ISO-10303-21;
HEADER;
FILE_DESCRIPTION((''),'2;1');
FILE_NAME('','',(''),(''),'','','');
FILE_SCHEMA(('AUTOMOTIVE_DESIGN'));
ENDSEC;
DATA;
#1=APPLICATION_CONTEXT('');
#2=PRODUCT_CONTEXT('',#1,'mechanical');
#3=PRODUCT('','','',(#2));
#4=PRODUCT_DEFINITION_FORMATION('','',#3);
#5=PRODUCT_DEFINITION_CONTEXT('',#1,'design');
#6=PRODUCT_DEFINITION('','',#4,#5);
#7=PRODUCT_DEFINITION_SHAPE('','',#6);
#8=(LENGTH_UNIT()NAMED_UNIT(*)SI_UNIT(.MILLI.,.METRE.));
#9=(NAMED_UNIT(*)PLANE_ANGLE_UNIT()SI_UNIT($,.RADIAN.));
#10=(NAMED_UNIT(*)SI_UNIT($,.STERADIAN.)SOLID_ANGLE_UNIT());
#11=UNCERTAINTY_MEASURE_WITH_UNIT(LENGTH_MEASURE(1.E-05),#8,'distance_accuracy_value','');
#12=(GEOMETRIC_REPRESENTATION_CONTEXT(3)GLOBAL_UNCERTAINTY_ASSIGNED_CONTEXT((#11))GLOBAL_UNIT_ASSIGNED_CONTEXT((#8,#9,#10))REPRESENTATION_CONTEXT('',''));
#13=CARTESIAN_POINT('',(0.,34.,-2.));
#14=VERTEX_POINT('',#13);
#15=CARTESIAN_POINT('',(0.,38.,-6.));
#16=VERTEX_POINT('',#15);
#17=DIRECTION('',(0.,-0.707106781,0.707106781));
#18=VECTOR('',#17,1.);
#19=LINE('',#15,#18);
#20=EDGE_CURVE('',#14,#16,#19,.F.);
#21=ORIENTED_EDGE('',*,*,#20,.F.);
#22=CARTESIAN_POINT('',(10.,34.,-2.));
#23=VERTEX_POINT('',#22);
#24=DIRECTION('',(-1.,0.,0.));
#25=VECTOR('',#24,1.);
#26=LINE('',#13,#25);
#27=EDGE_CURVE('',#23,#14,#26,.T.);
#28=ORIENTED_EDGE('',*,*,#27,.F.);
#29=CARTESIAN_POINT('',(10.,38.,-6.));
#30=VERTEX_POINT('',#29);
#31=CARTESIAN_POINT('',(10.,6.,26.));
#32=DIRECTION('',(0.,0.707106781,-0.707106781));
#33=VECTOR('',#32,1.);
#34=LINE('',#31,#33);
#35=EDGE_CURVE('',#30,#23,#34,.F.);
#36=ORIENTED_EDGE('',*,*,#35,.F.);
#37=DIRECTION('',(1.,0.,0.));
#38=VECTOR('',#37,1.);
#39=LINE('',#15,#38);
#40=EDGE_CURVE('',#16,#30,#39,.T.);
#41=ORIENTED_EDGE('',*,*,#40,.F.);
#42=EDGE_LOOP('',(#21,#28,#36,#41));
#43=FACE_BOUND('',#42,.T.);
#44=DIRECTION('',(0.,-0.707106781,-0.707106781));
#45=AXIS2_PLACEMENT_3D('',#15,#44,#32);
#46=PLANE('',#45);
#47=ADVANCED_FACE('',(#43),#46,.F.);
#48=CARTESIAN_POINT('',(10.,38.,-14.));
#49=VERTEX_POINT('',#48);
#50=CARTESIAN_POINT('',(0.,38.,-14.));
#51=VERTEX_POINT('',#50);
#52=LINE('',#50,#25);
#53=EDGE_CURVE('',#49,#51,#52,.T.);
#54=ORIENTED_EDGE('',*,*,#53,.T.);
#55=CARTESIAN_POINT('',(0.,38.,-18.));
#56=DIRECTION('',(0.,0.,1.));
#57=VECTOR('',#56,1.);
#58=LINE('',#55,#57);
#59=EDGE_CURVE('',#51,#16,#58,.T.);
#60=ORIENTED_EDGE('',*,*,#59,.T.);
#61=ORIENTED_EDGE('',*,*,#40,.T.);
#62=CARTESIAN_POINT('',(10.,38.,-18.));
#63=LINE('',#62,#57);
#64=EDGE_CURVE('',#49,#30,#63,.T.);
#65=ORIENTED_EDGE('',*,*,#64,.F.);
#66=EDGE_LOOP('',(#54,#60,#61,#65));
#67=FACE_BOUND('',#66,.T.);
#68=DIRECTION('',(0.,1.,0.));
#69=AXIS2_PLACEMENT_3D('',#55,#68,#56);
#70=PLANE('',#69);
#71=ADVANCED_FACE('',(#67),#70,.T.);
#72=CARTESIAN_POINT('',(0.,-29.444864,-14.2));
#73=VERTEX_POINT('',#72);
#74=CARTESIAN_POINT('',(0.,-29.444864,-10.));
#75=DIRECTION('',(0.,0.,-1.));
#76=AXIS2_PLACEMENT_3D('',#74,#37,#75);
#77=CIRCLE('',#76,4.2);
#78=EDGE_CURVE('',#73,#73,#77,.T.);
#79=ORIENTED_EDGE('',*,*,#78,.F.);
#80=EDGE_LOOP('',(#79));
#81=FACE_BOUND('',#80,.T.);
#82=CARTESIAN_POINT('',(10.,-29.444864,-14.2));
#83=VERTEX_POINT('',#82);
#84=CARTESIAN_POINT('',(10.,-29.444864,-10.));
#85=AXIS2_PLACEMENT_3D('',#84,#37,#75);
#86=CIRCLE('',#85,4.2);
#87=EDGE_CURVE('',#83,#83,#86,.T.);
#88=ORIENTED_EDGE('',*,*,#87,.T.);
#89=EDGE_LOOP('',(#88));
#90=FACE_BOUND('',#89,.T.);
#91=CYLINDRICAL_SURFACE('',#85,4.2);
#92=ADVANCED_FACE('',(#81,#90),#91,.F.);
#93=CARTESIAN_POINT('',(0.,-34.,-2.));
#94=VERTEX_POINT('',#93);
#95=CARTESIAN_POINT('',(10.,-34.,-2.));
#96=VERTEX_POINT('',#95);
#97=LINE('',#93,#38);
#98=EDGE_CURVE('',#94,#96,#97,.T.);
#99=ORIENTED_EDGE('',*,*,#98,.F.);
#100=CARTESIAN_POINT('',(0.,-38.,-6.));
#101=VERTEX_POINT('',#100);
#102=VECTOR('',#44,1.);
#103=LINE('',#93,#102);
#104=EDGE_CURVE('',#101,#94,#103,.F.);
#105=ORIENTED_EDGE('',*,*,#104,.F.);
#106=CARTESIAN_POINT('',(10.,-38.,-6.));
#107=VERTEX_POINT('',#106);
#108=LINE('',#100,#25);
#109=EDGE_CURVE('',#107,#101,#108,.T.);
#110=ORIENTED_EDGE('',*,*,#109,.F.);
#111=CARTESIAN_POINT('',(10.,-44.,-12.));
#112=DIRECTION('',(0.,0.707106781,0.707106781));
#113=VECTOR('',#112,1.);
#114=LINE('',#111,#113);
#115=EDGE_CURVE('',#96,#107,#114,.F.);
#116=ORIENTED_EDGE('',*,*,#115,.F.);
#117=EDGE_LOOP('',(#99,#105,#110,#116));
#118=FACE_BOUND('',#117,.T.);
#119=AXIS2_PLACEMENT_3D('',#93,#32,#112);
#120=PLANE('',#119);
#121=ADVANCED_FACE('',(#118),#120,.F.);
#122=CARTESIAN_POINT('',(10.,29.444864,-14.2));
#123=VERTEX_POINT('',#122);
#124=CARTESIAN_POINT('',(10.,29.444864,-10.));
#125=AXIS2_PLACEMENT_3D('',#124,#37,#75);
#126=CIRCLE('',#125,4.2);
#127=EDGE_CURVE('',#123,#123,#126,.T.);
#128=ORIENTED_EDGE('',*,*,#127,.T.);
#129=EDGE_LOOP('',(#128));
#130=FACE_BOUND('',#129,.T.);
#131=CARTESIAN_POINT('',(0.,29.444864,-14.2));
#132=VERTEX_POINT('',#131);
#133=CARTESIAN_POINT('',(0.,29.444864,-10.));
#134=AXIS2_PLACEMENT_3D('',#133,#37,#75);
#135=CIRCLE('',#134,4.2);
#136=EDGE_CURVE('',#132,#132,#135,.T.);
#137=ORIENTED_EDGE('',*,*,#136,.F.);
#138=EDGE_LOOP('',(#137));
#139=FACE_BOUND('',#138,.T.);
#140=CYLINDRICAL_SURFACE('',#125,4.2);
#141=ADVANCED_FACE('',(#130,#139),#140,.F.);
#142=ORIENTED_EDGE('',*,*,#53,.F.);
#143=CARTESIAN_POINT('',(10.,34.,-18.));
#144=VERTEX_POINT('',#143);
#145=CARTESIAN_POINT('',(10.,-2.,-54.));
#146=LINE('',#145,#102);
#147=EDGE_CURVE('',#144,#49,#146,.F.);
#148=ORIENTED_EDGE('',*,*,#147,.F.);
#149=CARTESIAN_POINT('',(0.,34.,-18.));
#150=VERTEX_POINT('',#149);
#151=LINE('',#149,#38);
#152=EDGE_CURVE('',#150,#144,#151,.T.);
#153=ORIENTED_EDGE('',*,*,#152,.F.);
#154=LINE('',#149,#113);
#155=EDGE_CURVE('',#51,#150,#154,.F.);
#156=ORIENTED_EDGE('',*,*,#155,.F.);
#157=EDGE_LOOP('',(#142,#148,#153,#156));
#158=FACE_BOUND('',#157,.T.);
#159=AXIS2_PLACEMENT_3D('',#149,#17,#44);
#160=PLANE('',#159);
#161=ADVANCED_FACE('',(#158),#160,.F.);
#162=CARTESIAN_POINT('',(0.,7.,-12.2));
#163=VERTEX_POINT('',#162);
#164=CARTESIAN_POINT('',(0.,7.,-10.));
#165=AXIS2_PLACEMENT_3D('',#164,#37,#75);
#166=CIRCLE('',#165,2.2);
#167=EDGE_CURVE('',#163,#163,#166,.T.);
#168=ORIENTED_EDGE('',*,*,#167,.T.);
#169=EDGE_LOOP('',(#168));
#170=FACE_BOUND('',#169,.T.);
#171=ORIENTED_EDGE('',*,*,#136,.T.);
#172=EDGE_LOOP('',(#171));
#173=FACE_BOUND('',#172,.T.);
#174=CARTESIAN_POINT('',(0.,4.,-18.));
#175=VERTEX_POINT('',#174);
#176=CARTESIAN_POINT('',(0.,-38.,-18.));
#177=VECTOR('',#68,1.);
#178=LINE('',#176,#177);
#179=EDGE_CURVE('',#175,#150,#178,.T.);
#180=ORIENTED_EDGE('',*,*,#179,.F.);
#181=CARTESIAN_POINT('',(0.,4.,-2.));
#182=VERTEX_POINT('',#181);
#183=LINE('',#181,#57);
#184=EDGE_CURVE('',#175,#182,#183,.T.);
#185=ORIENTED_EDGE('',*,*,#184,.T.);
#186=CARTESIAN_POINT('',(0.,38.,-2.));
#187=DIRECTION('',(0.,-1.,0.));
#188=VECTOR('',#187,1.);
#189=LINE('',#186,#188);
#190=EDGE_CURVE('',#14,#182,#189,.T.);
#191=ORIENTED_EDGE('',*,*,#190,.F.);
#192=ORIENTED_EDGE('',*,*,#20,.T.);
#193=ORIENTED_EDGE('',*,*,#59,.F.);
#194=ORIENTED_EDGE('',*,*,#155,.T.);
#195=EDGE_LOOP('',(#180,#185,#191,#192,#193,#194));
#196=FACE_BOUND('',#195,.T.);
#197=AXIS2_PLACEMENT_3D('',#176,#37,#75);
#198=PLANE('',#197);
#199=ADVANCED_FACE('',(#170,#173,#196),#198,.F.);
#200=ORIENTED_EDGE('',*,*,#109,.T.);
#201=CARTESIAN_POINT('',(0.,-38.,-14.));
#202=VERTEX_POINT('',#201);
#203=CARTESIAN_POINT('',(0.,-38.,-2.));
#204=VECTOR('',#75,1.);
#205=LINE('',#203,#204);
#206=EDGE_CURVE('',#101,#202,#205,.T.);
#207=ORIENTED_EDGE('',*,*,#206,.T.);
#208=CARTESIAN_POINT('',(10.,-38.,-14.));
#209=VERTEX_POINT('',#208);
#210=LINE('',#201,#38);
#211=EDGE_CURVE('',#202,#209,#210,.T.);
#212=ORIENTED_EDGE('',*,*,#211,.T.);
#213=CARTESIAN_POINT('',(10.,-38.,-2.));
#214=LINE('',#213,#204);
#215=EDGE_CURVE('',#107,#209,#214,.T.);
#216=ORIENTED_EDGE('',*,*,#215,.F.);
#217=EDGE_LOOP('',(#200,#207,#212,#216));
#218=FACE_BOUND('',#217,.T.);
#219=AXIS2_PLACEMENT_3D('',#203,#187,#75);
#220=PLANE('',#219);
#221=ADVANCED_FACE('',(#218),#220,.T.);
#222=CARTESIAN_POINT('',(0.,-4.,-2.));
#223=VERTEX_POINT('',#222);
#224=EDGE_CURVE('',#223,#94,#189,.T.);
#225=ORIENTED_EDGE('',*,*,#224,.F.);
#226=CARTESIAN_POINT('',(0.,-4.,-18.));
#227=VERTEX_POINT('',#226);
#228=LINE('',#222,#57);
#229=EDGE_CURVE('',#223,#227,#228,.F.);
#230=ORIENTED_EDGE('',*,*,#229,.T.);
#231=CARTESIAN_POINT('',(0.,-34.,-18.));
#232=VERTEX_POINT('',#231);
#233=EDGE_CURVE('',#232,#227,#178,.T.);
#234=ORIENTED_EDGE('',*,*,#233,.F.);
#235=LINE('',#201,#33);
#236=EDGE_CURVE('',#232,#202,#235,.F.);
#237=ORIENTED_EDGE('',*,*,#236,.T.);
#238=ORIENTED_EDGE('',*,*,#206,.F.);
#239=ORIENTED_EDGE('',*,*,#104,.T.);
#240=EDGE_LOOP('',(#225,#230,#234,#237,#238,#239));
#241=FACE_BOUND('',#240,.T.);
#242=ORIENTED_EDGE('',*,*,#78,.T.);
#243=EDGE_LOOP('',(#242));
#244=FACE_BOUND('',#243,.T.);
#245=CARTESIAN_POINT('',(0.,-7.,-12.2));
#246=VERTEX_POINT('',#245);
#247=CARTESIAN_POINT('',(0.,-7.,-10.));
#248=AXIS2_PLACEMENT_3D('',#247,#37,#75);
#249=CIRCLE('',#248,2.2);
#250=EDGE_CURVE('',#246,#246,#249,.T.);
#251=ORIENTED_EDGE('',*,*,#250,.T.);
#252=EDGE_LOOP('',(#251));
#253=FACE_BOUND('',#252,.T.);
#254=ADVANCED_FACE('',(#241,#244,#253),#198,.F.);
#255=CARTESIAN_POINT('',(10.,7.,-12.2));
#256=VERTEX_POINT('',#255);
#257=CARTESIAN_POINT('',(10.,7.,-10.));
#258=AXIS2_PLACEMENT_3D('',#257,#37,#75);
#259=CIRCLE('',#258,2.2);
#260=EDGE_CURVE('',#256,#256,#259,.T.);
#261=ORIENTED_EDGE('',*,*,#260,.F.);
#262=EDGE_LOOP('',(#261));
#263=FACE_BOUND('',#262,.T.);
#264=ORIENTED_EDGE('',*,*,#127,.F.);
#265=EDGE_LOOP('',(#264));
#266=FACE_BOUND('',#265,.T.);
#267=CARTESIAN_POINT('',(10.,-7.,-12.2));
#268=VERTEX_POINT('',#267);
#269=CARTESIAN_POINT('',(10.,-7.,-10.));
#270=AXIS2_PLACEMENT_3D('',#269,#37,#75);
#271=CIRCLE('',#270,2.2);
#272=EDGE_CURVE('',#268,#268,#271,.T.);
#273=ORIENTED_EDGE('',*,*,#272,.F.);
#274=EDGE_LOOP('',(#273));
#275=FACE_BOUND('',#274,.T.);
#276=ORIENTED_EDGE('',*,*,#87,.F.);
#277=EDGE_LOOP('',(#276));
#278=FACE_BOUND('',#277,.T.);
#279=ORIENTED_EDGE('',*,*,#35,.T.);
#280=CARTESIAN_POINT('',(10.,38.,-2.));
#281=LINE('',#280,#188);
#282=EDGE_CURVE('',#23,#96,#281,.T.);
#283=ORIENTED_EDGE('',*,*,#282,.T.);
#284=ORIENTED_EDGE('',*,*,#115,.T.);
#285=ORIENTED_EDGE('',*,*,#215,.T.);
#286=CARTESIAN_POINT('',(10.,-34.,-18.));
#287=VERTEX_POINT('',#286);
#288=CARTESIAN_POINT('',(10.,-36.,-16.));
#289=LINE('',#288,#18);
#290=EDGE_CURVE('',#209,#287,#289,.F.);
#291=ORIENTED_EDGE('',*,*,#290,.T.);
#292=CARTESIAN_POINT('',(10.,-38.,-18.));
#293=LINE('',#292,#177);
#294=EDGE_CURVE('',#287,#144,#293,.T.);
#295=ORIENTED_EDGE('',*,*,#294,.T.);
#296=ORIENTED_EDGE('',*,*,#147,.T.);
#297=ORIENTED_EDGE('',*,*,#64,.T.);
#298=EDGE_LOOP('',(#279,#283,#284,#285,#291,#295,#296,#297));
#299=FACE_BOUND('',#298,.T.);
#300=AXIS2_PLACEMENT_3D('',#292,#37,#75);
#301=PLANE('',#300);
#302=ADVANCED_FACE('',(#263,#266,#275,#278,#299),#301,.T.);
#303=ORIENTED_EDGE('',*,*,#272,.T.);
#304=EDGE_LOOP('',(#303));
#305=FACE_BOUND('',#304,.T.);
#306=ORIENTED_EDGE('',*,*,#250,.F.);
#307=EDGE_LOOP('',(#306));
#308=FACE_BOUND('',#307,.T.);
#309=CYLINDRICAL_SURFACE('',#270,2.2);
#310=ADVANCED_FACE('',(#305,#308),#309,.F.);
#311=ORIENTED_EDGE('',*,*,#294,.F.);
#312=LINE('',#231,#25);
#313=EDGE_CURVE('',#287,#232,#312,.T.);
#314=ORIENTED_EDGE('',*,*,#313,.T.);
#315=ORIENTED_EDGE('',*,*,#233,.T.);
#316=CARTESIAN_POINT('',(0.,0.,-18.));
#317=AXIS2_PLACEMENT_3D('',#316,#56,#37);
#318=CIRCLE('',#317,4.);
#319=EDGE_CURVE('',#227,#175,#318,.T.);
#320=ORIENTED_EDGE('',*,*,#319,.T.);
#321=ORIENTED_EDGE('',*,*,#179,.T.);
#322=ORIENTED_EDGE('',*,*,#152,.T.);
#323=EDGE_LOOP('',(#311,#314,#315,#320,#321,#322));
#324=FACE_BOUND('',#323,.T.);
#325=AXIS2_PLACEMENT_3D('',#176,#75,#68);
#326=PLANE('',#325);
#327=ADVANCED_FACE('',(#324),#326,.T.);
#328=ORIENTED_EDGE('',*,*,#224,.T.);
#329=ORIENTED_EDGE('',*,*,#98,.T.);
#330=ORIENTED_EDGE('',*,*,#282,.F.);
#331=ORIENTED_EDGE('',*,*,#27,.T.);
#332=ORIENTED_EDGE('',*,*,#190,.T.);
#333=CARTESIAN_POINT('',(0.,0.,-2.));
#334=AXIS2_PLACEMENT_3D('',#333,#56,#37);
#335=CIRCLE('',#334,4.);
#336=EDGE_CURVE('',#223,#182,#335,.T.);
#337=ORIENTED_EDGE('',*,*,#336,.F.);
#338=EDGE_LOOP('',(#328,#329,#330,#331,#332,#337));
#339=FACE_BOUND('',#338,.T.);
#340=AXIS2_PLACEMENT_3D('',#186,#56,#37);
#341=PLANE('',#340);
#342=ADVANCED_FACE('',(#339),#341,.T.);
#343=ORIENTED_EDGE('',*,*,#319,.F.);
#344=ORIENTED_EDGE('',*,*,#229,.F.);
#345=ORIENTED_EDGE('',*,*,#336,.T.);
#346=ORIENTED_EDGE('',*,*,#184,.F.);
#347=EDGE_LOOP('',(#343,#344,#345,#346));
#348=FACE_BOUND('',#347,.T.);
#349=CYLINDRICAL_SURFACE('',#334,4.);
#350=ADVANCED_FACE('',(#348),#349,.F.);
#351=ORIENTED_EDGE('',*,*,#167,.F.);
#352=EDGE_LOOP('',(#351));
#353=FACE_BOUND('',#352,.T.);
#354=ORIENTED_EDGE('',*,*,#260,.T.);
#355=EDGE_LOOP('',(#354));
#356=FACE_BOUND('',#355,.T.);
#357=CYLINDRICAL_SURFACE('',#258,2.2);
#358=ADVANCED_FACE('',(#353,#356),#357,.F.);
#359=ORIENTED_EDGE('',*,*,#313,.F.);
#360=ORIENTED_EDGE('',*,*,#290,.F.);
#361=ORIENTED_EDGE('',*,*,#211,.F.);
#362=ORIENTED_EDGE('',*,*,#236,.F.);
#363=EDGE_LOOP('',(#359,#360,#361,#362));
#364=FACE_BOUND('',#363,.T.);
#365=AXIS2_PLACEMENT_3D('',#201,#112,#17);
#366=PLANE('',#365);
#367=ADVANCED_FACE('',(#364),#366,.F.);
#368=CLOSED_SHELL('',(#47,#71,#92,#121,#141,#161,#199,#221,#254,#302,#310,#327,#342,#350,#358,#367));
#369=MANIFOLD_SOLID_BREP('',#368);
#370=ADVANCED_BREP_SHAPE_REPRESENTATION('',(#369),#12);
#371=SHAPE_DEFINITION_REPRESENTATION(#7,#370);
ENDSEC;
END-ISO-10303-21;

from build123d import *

# Parameters (mm, degrees)
SKETCH1_W           = 16
SKETCH1_H           = 76
BOSS_EXTRUDE1_DEPTH = 10
HOLE1_D             = 4.4
HOLE2_D             = 4.4
HOLE3_D             = 8.4
HOLE4_D             = 8.4
HOLE5_D             = 8
CHAMFER1_SIZE       = 4
CHAMFER2_SIZE       = 4
CHAMFER3_SIZE       = 4
CHAMFER4_SIZE       = 4


with BuildPart() as part:
    # Sketch1 → Boss-Extrude1 (new body)
    with BuildSketch(Plane(origin=(10, 0, 0), x_dir=(0, 0, -1), z_dir=(1, 0, 0))):
        with Locations((10, 0)):
            Rectangle(SKETCH1_W, SKETCH1_H)
    extrude(amount=-BOSS_EXTRUDE1_DEPTH)

    # Hole1 (through all)
    with Locations(Plane(origin=(10, 0, 0), x_dir=(0, 0, -1), z_dir=(1, 0, 0))):
        with Locations((10, -7)):
            Hole(HOLE1_D / 2)

    # Hole2 (through all)
    with Locations(Plane(origin=(10, 0, 0), x_dir=(0, 0, -1), z_dir=(1, 0, 0))):
        with Locations((10, 7)):
            Hole(HOLE2_D / 2)

    # Hole3 (through all)
    with Locations(Plane(origin=(10, 0, 0), x_dir=(0, 0, -1), z_dir=(1, 0, 0))):
        with Locations((10, -29.444863729)):
            Hole(HOLE3_D / 2)

    # Hole4 (through all)
    with Locations(Plane(origin=(10, 0, 0), x_dir=(0, 0, -1), z_dir=(1, 0, 0))):
        with Locations((10, 29.444863729)):
            Hole(HOLE4_D / 2)

    # Hole5 (through all)
    with Locations(Plane.XY.offset(-2)):
        with Locations((0, 0)):
            Hole(HOLE5_D / 2)

    # Chamfer1
    chamfer1_edges = [part.edges().sort_by_distance(p)[0] for p in [
        (5, 38, -2),
    ]]
    chamfer(chamfer1_edges, length=CHAMFER1_SIZE)

    # Chamfer2
    chamfer2_edges = [part.edges().sort_by_distance(p)[0] for p in [
        (5, 38, -18),
    ]]
    chamfer(chamfer2_edges, length=CHAMFER2_SIZE)

    # Chamfer3
    chamfer3_edges = [part.edges().sort_by_distance(p)[0] for p in [
        (5, -38, -18),
    ]]
    chamfer(chamfer3_edges, length=CHAMFER3_SIZE)

    # Chamfer4
    chamfer4_edges = [part.edges().sort_by_distance(p)[0] for p in [
        (5, -38, -2),
    ]]
    chamfer(chamfer4_edges, length=CHAMFER4_SIZE)


solid = part.part
